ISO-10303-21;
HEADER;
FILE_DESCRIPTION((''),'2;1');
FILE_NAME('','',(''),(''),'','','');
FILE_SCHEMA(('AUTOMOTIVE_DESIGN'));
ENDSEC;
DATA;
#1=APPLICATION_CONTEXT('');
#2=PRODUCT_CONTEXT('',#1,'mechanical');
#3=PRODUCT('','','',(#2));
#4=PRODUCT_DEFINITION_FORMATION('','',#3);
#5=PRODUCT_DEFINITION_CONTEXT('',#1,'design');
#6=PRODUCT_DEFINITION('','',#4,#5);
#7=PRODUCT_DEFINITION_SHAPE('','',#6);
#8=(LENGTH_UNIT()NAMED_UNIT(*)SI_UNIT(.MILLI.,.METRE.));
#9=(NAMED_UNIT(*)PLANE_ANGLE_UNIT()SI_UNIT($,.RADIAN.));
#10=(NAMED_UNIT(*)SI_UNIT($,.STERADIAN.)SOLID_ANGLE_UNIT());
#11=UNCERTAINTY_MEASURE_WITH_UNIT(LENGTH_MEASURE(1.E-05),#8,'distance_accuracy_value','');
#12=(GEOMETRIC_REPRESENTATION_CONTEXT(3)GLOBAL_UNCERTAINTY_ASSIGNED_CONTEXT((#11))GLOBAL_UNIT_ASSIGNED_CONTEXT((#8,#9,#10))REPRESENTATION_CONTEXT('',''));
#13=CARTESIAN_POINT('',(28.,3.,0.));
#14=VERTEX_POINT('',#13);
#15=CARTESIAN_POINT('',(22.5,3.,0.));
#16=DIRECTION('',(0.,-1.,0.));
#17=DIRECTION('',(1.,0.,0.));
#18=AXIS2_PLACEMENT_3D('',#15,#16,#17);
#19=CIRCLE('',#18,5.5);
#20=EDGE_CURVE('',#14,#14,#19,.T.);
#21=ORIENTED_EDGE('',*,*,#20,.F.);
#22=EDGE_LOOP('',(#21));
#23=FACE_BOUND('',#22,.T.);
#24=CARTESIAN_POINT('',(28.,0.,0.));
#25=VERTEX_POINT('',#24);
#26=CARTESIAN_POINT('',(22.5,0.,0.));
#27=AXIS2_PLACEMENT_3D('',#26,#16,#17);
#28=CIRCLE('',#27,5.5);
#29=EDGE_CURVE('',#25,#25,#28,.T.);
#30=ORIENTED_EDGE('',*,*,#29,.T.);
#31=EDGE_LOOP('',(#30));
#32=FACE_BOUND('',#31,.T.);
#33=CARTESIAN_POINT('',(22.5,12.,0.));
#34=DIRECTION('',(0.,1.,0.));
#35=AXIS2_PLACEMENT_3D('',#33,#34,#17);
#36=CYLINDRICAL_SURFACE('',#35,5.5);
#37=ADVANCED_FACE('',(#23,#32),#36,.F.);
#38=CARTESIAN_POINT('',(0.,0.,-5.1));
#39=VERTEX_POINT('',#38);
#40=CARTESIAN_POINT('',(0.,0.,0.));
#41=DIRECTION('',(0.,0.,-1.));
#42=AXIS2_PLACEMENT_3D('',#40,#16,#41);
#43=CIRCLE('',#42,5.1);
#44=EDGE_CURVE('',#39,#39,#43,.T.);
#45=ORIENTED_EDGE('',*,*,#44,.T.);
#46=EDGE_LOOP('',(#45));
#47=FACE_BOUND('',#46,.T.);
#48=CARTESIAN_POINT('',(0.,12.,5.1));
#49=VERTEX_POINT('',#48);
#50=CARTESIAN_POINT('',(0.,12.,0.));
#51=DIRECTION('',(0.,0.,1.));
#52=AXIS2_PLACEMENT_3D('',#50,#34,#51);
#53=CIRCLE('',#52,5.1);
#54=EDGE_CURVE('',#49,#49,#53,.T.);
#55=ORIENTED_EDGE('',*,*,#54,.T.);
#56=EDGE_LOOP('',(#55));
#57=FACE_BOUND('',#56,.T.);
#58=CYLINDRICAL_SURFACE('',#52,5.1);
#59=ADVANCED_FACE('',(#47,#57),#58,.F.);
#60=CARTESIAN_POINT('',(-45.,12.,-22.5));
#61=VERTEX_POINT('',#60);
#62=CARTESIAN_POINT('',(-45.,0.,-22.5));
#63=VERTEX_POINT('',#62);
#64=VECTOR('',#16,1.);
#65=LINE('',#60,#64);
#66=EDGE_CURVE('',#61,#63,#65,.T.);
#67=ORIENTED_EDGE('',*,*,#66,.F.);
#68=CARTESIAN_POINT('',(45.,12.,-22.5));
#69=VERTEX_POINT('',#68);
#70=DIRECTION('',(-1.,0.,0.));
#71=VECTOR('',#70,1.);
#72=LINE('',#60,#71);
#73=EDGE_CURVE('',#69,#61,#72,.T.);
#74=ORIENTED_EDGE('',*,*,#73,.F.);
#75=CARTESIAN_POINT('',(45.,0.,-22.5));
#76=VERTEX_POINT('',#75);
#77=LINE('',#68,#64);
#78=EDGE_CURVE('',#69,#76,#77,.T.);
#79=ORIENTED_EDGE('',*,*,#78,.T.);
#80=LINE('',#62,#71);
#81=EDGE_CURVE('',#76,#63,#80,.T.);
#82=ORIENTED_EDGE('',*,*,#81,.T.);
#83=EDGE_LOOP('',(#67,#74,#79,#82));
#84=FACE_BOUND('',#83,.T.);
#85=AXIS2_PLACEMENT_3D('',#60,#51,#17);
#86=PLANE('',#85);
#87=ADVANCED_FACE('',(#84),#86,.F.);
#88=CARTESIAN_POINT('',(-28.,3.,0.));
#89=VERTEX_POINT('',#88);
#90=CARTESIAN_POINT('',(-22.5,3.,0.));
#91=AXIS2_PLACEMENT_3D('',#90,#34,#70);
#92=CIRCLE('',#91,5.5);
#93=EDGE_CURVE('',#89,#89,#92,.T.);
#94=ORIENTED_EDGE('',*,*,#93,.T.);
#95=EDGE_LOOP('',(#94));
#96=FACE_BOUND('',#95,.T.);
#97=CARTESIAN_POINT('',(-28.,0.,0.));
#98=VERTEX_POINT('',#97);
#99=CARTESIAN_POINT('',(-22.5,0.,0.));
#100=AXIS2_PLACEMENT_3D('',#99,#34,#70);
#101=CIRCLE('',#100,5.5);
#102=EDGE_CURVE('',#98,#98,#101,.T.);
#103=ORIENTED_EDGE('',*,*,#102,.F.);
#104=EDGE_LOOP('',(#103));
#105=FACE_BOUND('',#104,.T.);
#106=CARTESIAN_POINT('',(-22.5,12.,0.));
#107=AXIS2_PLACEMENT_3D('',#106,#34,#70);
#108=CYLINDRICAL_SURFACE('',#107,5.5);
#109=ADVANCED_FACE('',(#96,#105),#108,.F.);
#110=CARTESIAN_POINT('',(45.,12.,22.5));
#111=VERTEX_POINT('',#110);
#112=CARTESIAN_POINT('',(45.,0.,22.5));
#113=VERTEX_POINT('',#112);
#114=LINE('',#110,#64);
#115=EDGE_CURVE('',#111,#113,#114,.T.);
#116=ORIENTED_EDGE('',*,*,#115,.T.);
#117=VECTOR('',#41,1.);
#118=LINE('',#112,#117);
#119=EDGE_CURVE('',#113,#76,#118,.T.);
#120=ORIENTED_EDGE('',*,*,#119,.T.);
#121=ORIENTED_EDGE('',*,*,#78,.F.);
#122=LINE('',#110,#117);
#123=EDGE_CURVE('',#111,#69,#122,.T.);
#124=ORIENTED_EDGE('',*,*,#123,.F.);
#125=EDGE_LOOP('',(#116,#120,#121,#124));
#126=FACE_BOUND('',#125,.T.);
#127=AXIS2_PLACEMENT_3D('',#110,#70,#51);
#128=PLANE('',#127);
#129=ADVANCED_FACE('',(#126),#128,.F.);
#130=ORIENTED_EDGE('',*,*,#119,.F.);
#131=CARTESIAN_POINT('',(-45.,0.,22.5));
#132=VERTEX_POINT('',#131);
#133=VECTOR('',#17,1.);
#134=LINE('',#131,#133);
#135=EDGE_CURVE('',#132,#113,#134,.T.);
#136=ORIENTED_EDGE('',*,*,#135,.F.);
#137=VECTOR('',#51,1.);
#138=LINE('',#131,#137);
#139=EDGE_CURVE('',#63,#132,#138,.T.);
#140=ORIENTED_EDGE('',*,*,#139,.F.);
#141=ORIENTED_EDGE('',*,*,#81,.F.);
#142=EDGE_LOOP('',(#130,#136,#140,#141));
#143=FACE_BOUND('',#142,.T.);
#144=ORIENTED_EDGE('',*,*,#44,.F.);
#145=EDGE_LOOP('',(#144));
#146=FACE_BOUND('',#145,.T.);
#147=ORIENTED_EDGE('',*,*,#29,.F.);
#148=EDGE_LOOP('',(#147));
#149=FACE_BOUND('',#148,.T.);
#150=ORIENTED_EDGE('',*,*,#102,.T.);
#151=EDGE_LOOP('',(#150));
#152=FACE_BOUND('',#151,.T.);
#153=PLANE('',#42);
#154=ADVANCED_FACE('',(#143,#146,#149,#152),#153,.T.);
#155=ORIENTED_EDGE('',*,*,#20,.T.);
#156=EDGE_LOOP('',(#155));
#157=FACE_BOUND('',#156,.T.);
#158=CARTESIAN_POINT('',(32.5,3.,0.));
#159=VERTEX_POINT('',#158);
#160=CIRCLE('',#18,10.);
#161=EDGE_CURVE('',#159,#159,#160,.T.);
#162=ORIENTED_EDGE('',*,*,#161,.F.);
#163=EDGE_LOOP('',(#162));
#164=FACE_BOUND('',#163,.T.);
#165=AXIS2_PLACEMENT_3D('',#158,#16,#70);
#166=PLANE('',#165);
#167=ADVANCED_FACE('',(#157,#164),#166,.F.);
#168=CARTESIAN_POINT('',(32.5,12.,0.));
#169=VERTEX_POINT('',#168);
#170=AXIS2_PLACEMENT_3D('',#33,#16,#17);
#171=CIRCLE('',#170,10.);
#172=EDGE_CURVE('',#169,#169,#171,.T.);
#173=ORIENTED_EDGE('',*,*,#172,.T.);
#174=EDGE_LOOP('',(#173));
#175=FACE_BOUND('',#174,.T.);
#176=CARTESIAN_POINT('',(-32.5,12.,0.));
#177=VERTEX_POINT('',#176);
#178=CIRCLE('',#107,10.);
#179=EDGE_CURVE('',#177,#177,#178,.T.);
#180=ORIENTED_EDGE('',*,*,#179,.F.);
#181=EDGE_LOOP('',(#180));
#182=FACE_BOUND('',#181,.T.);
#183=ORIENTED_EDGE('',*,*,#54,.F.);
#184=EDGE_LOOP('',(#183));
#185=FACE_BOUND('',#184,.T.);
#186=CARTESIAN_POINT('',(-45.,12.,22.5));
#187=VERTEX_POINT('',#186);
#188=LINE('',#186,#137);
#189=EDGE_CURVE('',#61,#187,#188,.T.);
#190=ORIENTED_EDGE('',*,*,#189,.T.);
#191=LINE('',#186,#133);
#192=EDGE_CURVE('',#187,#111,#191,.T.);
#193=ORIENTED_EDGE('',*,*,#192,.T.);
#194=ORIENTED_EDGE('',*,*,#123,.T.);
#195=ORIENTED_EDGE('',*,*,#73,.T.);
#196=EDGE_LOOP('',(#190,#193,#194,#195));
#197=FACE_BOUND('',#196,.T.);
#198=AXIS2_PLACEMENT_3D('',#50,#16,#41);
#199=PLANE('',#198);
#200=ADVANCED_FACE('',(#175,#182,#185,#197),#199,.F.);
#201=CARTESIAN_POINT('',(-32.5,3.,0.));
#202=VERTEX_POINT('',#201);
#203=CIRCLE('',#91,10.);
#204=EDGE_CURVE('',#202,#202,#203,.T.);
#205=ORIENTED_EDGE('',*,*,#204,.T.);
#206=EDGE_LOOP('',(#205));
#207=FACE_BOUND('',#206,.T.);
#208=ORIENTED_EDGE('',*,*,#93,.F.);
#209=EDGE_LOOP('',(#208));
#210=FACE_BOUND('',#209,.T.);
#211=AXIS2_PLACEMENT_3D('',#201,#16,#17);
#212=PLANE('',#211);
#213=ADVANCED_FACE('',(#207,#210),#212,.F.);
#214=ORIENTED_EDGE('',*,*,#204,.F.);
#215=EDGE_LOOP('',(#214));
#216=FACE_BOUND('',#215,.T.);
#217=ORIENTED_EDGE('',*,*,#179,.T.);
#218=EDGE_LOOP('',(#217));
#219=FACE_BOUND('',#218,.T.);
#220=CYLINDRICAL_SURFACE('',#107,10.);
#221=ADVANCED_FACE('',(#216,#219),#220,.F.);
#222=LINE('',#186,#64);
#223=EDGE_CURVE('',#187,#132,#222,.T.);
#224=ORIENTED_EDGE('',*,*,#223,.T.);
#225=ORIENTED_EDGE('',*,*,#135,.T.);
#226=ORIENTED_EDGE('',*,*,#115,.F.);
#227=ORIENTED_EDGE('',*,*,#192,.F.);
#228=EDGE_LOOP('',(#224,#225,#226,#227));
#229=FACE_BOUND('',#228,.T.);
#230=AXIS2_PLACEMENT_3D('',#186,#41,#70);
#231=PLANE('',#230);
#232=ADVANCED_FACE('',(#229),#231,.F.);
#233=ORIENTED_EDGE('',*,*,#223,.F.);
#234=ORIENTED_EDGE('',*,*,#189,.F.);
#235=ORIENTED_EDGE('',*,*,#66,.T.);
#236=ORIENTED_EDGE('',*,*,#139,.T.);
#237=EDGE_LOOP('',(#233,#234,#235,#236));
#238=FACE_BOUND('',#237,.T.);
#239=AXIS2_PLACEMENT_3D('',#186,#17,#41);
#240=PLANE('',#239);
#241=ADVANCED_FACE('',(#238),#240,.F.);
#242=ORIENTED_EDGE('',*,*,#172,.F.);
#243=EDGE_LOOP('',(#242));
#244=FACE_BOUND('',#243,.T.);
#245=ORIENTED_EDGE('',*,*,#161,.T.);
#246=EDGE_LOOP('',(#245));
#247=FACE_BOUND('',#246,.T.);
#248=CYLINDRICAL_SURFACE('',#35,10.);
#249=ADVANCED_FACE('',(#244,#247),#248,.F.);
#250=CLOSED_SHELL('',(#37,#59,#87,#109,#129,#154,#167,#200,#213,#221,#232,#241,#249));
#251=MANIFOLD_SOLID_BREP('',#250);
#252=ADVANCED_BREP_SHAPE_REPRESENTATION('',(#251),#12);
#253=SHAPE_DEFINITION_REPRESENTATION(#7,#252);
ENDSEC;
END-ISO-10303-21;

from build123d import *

# Parameters (mm, degrees)
SKETCH_1_W             = 90
SKETCH_1_H             = 45
EXTRUDE_1_DEPTH        = 12
HOLE_WIZARD_M121_D     = 10.2
HOLE_WIZARD_M121_DEPTH = 12


with BuildPart() as part:
    # Эскиз1 → Бобышка-Вытянуть1 (new body)
    with BuildSketch(Plane(origin=(0, 0, 0), x_dir=(1, 0, 0), z_dir=(0, 1, 0))):
        Rectangle(SKETCH_1_W, SKETCH_1_H)
    extrude(amount=EXTRUDE_1_DEPTH)

    # Эскиз2 → Вырез-Повернуть1 (revolve, cut)
    with BuildSketch(Plane.XY):
        Polygon((-32.5, 12), (-32.5, 3), (-28, 3), (-28, 0), (-22.5, 0), (-22.5, 12), align=None)
    cut_revolve_1 = revolve(axis=Axis((-22.5, 12, 0), (0, -1, 0)), mode=Mode.SUBTRACT)

    # Зеркальное отражение1: Вырез-Повернуть1 across plane
    add(cut_revolve_1.mirror(Plane(origin=(0, 0, 0), x_dir=(0, 0, 1), z_dir=(1, 0, 0))), mode=Mode.SUBTRACT)

    # Отверстие обработанное метчиком M121
    with Locations(Plane(origin=(0, 12, 0), x_dir=(1, 0, 0), z_dir=(0, 1, 0))):
        with Locations((0, 0)):
            Hole(HOLE_WIZARD_M121_D / 2, depth=HOLE_WIZARD_M121_DEPTH)


solid = part.part
